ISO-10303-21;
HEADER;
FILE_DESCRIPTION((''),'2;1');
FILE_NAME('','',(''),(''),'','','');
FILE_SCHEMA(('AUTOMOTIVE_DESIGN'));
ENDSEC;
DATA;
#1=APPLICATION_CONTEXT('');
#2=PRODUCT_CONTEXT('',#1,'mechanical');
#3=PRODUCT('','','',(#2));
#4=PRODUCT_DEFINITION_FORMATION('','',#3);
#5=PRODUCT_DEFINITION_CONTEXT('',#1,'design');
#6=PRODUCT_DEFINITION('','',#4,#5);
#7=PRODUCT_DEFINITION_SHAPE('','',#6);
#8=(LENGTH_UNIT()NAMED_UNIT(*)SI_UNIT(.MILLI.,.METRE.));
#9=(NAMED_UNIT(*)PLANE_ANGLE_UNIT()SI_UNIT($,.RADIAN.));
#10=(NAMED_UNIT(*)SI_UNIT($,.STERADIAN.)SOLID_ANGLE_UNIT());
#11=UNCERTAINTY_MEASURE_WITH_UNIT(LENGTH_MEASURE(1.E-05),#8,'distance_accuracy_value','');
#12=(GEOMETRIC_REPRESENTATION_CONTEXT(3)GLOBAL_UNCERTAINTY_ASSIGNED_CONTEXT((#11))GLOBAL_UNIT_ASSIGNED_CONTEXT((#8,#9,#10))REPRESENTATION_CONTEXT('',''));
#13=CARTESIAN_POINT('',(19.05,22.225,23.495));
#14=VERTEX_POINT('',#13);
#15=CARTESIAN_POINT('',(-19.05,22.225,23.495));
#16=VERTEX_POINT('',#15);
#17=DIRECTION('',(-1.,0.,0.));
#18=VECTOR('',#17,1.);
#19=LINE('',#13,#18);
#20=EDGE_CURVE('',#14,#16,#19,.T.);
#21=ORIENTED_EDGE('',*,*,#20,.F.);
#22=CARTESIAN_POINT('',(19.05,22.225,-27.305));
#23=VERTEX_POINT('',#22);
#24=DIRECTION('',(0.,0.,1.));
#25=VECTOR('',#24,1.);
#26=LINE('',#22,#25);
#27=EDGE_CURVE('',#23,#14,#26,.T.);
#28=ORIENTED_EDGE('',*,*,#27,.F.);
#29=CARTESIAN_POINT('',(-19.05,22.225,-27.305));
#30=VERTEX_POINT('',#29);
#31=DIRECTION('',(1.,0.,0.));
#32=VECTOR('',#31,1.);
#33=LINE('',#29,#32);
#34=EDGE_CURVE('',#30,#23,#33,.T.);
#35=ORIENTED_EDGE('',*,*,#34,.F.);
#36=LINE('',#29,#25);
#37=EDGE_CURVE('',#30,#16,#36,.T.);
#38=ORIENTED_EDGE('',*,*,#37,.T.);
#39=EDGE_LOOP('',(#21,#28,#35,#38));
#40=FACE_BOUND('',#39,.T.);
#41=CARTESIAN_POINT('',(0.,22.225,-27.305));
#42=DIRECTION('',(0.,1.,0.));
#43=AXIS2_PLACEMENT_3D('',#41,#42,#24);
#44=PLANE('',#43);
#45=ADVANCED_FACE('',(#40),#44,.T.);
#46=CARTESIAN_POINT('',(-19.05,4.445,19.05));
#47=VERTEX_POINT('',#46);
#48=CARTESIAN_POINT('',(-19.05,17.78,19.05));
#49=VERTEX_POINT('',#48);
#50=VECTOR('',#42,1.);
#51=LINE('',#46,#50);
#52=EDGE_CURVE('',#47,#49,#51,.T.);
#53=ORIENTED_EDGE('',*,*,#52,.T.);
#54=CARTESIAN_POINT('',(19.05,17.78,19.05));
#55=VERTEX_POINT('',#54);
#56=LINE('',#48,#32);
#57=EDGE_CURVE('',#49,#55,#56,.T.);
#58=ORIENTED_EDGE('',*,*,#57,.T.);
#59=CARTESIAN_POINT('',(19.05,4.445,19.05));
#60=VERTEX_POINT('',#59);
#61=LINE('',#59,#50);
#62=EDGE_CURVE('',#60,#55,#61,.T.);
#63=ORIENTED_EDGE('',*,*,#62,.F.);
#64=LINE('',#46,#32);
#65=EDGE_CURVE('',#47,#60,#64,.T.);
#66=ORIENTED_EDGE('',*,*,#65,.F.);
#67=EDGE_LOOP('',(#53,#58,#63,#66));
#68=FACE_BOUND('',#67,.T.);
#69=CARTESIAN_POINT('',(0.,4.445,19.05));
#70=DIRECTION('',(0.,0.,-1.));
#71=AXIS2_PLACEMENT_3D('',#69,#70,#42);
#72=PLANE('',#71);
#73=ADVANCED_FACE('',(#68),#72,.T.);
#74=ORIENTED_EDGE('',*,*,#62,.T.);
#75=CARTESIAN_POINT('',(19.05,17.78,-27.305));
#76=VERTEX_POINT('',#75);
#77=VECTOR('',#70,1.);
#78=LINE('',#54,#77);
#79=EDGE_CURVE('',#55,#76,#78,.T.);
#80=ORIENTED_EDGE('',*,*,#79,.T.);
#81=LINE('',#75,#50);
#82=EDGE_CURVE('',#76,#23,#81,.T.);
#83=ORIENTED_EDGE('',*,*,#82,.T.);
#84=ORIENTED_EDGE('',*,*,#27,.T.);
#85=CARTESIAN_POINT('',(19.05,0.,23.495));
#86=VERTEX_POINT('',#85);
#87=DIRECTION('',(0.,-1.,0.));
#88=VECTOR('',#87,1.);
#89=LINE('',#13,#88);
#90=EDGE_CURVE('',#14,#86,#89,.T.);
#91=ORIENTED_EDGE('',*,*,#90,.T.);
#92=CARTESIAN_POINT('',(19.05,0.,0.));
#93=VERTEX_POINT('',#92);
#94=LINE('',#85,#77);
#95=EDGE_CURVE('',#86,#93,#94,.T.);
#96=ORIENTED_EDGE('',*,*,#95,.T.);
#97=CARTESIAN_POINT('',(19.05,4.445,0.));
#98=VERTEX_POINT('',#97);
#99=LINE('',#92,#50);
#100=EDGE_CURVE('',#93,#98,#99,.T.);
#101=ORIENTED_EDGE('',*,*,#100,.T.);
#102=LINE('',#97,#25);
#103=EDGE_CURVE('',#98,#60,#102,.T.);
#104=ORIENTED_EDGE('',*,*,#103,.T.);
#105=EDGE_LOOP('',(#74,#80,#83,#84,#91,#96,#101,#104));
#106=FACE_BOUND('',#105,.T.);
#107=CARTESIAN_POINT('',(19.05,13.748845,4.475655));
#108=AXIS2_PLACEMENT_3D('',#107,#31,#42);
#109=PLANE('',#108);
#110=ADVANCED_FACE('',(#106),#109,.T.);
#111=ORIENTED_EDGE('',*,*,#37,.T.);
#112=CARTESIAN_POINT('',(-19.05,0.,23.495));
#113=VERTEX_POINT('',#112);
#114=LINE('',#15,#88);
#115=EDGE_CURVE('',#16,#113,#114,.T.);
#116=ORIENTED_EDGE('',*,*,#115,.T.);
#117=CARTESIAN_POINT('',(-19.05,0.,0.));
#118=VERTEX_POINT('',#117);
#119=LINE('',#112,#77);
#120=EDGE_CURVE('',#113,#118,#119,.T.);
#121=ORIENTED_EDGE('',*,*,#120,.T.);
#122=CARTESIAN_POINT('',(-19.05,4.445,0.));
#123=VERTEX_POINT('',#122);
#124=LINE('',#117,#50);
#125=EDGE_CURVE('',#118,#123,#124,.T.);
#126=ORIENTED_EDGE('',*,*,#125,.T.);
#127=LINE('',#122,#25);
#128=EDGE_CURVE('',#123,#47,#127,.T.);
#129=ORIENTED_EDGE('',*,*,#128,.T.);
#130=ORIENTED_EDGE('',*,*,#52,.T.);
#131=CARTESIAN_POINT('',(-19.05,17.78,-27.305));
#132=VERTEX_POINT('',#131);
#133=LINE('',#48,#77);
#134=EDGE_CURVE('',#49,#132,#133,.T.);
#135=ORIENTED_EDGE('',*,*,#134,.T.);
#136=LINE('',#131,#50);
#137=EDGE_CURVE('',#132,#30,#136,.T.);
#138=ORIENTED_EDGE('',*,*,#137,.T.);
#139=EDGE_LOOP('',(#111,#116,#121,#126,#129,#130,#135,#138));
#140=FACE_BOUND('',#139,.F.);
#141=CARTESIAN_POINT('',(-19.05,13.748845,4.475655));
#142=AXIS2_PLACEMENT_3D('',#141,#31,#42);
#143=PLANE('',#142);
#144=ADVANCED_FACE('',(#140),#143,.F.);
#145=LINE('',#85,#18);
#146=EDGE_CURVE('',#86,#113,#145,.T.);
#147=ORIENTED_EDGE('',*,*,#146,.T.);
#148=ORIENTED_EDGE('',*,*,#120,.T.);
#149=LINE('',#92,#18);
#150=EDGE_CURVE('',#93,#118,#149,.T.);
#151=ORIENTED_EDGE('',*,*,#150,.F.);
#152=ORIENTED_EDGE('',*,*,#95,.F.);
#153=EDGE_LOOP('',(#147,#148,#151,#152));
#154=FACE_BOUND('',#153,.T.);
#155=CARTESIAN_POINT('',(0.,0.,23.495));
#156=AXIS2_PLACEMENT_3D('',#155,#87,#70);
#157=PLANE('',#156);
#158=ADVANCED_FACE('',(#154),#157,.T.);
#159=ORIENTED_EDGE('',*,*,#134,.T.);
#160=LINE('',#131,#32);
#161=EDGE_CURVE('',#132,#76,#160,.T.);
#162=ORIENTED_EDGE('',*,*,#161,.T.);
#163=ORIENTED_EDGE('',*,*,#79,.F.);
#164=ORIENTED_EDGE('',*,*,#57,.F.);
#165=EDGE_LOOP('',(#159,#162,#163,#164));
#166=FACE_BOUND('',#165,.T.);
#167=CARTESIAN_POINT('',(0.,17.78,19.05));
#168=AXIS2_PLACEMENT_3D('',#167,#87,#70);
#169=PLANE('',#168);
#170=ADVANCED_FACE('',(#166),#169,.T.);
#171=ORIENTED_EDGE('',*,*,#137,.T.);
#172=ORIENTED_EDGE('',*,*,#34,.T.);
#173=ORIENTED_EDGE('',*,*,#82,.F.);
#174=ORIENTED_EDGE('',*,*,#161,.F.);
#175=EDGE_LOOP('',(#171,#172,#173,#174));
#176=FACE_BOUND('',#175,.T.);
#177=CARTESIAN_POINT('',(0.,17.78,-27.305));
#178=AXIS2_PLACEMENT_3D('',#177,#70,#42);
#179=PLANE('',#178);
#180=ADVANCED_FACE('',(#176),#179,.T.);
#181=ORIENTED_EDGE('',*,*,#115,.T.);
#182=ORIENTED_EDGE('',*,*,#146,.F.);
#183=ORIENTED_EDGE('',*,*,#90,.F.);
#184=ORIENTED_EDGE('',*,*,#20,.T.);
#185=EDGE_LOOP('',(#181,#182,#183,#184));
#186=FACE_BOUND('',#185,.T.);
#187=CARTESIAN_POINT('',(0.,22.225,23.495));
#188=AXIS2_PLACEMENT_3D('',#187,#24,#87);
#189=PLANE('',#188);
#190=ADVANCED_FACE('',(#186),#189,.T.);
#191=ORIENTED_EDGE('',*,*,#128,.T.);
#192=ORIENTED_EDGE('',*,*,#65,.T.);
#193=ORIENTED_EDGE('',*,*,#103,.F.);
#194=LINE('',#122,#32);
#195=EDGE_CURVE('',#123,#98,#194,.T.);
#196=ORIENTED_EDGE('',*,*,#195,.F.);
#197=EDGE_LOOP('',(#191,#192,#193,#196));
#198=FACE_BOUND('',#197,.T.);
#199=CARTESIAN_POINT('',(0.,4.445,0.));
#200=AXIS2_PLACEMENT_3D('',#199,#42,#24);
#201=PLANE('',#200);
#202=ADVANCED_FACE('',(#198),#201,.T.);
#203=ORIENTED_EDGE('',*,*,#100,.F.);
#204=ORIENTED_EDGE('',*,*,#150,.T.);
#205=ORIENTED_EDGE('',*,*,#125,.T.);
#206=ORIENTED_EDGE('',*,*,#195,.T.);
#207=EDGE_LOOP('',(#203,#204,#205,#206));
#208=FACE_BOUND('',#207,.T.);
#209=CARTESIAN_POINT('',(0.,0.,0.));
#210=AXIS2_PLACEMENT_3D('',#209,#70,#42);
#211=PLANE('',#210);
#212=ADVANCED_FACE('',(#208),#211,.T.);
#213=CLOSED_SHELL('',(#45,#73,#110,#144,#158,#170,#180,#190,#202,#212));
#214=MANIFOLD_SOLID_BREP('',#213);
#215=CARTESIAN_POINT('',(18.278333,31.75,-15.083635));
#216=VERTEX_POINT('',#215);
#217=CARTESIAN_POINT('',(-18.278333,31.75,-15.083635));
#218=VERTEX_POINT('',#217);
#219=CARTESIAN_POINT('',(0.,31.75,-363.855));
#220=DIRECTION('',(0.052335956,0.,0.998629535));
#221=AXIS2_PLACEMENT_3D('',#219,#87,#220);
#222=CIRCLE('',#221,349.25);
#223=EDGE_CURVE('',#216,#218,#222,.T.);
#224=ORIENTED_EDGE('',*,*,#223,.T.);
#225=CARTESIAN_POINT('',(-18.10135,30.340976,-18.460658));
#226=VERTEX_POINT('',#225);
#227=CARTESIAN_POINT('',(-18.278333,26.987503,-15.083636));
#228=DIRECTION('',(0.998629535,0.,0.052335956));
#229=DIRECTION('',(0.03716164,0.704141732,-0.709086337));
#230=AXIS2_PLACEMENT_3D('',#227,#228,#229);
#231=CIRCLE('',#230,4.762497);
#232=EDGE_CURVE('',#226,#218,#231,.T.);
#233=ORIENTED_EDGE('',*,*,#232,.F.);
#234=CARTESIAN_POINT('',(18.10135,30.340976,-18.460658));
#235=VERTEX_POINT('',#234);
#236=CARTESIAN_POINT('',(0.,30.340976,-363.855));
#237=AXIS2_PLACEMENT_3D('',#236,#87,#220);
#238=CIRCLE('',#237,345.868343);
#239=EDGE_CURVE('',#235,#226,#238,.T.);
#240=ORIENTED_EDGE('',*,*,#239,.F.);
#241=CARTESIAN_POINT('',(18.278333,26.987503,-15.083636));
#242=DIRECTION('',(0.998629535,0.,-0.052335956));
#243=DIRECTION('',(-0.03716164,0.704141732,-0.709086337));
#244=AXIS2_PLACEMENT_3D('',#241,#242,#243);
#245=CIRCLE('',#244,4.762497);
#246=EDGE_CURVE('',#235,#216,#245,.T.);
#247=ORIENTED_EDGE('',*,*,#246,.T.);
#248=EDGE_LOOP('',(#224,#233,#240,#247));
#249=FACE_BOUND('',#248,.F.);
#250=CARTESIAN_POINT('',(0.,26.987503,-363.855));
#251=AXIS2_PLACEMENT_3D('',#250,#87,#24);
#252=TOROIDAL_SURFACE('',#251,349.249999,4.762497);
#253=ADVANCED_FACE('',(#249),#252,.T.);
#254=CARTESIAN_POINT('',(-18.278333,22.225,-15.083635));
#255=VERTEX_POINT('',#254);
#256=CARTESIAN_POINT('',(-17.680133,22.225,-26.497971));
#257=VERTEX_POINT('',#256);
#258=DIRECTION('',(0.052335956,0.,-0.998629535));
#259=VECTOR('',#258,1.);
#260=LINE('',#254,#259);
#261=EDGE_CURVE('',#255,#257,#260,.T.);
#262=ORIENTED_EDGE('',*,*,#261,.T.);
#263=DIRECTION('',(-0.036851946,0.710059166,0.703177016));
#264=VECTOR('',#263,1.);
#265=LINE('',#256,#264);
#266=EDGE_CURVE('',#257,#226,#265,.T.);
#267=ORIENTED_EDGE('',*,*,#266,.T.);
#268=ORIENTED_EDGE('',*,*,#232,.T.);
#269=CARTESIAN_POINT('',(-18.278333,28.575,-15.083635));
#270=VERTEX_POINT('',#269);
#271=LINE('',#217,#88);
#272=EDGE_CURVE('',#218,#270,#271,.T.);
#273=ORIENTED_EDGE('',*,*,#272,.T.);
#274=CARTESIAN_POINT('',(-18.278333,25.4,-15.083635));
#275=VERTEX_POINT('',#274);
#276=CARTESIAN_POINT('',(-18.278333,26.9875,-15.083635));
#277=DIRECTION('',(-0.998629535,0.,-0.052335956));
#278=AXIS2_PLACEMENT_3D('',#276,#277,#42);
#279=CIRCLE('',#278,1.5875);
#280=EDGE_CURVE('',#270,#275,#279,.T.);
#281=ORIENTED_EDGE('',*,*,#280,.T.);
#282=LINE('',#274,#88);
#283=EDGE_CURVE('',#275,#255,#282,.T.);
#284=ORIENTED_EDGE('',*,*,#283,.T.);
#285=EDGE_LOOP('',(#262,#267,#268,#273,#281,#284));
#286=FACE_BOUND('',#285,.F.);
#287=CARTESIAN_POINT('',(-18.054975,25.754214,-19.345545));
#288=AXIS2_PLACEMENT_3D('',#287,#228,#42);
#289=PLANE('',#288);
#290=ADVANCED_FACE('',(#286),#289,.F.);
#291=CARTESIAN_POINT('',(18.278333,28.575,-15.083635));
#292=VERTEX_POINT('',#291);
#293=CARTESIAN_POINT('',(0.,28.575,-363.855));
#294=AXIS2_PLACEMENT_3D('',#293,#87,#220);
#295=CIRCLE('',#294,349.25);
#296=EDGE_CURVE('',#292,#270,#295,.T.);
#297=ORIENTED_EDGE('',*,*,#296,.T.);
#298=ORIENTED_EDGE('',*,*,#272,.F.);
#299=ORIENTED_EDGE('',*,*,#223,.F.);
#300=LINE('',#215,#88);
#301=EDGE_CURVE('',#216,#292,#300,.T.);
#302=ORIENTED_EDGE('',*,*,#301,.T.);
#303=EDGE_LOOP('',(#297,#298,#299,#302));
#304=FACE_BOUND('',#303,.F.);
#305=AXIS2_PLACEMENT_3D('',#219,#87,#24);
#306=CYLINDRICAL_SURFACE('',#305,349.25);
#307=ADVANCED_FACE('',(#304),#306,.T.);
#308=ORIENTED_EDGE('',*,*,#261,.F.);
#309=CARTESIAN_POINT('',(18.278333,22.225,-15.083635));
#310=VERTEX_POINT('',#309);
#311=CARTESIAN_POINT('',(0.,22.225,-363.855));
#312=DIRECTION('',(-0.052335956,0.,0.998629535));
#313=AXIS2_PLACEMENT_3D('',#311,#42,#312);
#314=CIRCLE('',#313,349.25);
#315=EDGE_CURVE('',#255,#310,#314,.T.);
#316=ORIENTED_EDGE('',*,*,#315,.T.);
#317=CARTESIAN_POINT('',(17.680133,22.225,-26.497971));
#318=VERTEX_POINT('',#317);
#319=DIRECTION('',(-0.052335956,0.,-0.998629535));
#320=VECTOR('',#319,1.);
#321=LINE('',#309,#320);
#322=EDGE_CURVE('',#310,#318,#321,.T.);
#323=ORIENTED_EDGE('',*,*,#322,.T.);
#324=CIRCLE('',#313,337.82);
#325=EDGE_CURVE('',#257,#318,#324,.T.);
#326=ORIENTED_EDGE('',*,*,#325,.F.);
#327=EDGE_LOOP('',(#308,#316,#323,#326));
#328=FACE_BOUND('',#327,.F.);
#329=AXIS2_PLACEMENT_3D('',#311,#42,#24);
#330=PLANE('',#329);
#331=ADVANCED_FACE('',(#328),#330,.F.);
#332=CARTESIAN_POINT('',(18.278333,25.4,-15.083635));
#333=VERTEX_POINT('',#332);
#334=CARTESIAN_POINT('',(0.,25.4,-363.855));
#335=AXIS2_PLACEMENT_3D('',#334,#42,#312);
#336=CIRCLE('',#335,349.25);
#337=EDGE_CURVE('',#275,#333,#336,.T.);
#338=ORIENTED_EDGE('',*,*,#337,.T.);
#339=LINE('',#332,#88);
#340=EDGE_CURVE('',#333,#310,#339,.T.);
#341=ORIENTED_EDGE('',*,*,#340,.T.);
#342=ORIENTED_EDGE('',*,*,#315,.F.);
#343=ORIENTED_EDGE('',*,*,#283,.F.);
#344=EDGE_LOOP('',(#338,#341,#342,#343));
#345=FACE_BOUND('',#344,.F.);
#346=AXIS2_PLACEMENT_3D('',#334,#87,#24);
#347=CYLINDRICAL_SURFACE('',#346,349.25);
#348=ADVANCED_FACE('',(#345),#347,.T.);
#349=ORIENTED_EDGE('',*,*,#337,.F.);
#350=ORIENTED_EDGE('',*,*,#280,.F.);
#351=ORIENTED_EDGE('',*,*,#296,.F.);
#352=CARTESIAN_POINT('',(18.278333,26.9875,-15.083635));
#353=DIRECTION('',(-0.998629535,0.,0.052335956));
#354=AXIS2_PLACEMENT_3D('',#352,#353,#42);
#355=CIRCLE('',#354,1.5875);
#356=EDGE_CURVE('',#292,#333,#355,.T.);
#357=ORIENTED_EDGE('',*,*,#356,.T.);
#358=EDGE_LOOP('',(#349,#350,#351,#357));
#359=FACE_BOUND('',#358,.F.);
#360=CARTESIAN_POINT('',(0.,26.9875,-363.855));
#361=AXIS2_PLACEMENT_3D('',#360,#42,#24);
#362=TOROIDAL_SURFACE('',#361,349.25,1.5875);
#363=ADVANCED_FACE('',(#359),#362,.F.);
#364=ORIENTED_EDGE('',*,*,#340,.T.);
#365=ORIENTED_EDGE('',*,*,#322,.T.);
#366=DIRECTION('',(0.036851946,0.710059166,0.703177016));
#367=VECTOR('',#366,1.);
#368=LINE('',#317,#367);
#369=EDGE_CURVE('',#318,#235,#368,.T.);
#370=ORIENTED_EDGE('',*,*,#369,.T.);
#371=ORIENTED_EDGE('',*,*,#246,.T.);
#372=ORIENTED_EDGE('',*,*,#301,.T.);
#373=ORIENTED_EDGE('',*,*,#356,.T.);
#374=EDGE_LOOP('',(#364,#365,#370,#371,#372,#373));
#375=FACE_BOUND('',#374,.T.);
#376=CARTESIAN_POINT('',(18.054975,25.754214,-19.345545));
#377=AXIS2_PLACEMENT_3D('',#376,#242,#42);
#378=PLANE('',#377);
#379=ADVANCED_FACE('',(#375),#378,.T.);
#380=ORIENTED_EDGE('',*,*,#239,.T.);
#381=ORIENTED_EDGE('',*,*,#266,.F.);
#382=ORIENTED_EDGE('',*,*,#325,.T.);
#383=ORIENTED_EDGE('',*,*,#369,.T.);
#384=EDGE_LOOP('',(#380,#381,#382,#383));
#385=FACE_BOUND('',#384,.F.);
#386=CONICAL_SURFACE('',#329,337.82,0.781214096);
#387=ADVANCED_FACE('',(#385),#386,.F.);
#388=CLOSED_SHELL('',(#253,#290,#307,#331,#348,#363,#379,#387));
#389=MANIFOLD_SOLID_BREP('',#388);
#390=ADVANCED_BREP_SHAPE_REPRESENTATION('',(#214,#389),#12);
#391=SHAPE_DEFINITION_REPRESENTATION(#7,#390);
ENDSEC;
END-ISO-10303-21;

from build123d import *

# Parameters (mm, degrees)
F1_DEPTH = 19.05
F4_ANGLE = 6


with BuildPart() as f1:
    # F0 (on Right) → F1 (new body, symmetric)
    with BuildSketch(Plane.YZ):
        Polygon((0, 19.05), (0, 0), (4.445, 0), (4.445, 19.05), (17.78, 19.05), (17.78, -27.305), (22.225, -27.305), (22.225, 19.05), (22.225, 23.495), (17.78, 23.495), (4.445, 23.495), (0, 23.495), align=None)
    extrude(amount=F1_DEPTH, both=True)


with BuildPart() as f4:
    # F2 (on Right) → F4 (revolve, symmetric)
    with BuildSketch(Plane.YZ) as f4_sk:
        with BuildLine():
            ThreePointArc((28.575, -14.605), (26.9875, -16.1925), (25.4, -14.605))
            Line((25.4, -14.605), (22.225, -14.605))
            Line((22.225, -14.605), (22.225, -26.035))
            Line((22.225, -26.035), (30.340976, -17.986657))
            ThreePointArc((30.340976, -17.986657), (31.383654, -16.436731), (31.75, -14.605))
            Line((31.75, -14.605), (28.575, -14.605))
        make_face()
    revolve(axis=Axis((0, 100.546518, -363.855), (0, -1, 0)), revolution_arc=F4_ANGLE / 2)
    revolve(f4_sk.sketch, axis=Axis((0, 100.546518, -363.855), (0, 1, 0)), revolution_arc=F4_ANGLE / 2)


solid = Compound([f1.part, f4.part])
